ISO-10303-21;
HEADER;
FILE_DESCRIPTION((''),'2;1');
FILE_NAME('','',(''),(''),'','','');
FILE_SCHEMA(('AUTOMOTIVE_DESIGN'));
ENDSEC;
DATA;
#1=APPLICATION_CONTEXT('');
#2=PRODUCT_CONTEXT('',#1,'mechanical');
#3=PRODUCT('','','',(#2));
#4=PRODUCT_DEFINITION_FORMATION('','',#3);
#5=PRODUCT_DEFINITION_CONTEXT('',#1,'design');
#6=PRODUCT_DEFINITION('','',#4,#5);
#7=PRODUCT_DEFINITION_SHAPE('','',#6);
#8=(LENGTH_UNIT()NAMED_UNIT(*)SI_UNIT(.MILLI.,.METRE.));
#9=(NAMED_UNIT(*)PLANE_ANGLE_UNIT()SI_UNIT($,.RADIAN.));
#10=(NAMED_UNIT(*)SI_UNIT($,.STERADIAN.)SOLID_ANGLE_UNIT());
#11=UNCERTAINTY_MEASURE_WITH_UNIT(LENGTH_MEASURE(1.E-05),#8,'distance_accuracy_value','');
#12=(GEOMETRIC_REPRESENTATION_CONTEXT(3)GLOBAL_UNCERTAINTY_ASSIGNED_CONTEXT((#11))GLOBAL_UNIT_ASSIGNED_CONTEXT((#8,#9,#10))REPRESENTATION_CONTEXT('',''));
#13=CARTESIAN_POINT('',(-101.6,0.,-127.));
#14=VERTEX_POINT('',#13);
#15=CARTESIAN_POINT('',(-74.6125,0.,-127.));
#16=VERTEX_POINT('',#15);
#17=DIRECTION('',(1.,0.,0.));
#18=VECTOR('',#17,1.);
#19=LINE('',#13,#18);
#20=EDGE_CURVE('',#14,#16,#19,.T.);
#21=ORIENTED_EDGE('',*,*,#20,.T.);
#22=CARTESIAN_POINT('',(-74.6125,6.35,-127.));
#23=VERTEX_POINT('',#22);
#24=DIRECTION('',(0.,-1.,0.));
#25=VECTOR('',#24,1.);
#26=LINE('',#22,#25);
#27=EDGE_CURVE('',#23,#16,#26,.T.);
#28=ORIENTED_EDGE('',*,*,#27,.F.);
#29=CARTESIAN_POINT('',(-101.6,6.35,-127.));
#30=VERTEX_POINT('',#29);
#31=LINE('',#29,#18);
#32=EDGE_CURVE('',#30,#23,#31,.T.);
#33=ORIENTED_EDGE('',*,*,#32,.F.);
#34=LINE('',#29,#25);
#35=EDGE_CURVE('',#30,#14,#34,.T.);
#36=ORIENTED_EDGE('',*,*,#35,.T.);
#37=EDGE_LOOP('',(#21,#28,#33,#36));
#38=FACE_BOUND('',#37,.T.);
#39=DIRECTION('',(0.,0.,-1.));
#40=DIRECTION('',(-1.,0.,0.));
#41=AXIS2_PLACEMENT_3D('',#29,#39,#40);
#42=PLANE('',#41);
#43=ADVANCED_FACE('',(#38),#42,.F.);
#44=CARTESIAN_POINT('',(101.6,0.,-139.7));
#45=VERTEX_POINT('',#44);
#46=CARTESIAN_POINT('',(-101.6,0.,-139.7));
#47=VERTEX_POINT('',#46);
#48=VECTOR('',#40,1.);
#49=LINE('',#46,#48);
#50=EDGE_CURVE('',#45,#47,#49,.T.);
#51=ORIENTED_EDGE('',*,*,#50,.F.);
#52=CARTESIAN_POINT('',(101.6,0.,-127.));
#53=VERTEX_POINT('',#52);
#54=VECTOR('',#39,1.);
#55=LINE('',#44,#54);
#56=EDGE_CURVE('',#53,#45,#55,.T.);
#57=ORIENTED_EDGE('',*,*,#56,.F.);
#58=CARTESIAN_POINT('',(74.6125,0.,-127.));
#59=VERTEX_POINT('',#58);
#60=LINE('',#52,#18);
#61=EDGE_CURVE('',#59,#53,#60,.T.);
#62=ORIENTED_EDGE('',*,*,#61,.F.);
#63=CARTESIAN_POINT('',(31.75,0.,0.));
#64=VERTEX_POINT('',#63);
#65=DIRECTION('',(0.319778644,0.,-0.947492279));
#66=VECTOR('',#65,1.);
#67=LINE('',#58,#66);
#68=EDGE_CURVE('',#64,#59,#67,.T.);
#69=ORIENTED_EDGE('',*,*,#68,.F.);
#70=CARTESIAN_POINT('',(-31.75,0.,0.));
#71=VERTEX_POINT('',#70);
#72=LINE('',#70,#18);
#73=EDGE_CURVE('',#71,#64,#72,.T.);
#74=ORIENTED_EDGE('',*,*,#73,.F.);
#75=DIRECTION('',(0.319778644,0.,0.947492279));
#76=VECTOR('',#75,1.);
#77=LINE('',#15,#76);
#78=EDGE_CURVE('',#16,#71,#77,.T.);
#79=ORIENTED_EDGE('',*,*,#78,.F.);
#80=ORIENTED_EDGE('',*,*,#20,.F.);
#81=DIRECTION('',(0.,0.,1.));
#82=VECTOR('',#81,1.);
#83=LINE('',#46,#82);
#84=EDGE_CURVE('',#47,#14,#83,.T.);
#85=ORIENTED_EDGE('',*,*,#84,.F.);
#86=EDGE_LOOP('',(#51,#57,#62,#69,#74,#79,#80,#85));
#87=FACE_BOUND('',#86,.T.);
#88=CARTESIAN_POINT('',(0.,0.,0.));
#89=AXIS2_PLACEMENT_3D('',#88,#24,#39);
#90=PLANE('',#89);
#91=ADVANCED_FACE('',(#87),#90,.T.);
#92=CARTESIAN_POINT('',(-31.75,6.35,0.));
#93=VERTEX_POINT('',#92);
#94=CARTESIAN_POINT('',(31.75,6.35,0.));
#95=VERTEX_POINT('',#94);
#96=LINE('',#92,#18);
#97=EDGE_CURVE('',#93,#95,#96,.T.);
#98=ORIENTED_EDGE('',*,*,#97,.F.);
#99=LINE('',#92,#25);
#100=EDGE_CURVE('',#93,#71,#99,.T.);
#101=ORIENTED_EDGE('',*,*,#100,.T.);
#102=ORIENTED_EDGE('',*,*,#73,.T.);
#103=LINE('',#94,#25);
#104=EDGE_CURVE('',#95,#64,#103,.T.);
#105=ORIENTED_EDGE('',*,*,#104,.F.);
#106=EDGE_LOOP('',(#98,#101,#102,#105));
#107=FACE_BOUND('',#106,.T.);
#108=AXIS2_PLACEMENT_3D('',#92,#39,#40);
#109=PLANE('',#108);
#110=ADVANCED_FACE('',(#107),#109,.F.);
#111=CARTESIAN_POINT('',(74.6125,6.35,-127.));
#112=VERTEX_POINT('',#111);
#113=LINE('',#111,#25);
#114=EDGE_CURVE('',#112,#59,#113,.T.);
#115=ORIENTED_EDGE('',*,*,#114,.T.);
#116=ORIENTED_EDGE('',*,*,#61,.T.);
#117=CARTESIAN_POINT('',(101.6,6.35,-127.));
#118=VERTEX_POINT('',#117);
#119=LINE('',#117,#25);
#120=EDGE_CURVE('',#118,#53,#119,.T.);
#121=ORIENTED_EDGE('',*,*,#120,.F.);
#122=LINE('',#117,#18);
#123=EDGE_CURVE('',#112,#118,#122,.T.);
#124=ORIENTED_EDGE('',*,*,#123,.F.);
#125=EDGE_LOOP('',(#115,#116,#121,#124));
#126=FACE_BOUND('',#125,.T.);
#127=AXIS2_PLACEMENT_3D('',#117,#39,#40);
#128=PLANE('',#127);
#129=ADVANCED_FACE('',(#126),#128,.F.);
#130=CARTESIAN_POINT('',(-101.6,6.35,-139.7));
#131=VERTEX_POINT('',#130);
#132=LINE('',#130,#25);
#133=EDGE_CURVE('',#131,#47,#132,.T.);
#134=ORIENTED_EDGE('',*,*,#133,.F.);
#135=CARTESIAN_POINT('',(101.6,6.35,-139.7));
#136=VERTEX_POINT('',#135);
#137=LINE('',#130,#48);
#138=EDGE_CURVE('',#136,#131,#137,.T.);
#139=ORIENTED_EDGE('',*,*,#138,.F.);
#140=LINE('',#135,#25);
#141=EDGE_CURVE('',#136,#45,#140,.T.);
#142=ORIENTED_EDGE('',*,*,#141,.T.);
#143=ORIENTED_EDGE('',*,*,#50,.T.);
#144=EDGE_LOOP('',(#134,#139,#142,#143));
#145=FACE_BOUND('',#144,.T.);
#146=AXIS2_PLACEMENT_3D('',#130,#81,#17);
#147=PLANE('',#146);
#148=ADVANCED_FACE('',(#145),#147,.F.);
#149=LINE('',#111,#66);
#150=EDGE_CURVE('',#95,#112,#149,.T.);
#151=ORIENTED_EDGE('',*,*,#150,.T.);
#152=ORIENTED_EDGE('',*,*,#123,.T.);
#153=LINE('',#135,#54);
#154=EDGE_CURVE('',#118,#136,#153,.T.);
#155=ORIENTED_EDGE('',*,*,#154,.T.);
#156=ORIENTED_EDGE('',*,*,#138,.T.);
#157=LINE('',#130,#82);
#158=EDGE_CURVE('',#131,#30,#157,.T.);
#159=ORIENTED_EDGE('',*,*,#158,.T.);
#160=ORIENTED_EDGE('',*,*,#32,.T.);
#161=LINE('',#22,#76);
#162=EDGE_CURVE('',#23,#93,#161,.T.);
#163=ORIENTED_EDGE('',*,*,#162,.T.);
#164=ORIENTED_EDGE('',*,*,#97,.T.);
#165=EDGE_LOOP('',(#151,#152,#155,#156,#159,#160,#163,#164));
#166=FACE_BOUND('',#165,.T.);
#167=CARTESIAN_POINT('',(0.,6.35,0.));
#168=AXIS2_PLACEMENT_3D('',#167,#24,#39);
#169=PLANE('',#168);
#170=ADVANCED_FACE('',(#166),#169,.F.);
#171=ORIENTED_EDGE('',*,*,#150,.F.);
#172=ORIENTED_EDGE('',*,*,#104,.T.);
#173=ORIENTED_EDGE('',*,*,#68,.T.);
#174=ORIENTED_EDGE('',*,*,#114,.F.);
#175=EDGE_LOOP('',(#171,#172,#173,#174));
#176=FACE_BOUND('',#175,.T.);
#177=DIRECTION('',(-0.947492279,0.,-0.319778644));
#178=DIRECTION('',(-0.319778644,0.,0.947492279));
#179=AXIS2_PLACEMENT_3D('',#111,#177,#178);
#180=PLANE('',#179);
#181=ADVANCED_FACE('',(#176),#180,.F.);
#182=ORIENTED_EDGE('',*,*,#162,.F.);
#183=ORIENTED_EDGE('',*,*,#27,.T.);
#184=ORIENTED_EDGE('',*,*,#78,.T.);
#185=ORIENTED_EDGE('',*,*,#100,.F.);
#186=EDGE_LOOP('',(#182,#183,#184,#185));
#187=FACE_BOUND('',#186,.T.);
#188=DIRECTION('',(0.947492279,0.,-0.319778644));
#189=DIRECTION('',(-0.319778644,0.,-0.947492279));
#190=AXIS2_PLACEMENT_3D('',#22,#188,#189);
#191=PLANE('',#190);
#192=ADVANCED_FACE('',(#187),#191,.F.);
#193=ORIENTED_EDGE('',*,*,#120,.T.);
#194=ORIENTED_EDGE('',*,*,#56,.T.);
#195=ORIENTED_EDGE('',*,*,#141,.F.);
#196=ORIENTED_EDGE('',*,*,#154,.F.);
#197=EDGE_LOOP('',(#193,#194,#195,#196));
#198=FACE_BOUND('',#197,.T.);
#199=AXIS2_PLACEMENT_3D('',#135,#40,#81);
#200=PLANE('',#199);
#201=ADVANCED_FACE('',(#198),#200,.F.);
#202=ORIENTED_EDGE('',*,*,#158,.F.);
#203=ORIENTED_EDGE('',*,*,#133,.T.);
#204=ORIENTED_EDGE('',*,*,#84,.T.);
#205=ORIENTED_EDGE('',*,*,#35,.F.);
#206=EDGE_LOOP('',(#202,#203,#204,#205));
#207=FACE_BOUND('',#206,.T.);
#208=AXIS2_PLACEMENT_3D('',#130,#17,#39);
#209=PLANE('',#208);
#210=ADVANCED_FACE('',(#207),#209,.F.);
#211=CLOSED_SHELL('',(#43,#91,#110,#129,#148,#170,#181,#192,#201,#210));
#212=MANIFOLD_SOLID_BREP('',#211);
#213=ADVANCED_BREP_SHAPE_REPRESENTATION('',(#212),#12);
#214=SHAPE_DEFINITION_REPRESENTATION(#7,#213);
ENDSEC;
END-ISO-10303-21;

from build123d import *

# Parameters (mm, degrees)
BOSS_EXTRU_1_DEPTH = 6.35


with BuildPart() as part:
    # Esquisse1 → Boss.-Extru.1 (new body)
    with BuildSketch(Plane(origin=(0, 0, 0), x_dir=(1, 0, 0), z_dir=(0, 1, 0))):
        Polygon((-101.6, 139.7), (-101.6, 127), (-74.6125, 127), (-31.75, 0), (31.75, 0), (74.6125, 127), (101.6, 127), (101.6, 139.7), align=None)
    extrude(amount=BOSS_EXTRU_1_DEPTH)


solid = part.part
